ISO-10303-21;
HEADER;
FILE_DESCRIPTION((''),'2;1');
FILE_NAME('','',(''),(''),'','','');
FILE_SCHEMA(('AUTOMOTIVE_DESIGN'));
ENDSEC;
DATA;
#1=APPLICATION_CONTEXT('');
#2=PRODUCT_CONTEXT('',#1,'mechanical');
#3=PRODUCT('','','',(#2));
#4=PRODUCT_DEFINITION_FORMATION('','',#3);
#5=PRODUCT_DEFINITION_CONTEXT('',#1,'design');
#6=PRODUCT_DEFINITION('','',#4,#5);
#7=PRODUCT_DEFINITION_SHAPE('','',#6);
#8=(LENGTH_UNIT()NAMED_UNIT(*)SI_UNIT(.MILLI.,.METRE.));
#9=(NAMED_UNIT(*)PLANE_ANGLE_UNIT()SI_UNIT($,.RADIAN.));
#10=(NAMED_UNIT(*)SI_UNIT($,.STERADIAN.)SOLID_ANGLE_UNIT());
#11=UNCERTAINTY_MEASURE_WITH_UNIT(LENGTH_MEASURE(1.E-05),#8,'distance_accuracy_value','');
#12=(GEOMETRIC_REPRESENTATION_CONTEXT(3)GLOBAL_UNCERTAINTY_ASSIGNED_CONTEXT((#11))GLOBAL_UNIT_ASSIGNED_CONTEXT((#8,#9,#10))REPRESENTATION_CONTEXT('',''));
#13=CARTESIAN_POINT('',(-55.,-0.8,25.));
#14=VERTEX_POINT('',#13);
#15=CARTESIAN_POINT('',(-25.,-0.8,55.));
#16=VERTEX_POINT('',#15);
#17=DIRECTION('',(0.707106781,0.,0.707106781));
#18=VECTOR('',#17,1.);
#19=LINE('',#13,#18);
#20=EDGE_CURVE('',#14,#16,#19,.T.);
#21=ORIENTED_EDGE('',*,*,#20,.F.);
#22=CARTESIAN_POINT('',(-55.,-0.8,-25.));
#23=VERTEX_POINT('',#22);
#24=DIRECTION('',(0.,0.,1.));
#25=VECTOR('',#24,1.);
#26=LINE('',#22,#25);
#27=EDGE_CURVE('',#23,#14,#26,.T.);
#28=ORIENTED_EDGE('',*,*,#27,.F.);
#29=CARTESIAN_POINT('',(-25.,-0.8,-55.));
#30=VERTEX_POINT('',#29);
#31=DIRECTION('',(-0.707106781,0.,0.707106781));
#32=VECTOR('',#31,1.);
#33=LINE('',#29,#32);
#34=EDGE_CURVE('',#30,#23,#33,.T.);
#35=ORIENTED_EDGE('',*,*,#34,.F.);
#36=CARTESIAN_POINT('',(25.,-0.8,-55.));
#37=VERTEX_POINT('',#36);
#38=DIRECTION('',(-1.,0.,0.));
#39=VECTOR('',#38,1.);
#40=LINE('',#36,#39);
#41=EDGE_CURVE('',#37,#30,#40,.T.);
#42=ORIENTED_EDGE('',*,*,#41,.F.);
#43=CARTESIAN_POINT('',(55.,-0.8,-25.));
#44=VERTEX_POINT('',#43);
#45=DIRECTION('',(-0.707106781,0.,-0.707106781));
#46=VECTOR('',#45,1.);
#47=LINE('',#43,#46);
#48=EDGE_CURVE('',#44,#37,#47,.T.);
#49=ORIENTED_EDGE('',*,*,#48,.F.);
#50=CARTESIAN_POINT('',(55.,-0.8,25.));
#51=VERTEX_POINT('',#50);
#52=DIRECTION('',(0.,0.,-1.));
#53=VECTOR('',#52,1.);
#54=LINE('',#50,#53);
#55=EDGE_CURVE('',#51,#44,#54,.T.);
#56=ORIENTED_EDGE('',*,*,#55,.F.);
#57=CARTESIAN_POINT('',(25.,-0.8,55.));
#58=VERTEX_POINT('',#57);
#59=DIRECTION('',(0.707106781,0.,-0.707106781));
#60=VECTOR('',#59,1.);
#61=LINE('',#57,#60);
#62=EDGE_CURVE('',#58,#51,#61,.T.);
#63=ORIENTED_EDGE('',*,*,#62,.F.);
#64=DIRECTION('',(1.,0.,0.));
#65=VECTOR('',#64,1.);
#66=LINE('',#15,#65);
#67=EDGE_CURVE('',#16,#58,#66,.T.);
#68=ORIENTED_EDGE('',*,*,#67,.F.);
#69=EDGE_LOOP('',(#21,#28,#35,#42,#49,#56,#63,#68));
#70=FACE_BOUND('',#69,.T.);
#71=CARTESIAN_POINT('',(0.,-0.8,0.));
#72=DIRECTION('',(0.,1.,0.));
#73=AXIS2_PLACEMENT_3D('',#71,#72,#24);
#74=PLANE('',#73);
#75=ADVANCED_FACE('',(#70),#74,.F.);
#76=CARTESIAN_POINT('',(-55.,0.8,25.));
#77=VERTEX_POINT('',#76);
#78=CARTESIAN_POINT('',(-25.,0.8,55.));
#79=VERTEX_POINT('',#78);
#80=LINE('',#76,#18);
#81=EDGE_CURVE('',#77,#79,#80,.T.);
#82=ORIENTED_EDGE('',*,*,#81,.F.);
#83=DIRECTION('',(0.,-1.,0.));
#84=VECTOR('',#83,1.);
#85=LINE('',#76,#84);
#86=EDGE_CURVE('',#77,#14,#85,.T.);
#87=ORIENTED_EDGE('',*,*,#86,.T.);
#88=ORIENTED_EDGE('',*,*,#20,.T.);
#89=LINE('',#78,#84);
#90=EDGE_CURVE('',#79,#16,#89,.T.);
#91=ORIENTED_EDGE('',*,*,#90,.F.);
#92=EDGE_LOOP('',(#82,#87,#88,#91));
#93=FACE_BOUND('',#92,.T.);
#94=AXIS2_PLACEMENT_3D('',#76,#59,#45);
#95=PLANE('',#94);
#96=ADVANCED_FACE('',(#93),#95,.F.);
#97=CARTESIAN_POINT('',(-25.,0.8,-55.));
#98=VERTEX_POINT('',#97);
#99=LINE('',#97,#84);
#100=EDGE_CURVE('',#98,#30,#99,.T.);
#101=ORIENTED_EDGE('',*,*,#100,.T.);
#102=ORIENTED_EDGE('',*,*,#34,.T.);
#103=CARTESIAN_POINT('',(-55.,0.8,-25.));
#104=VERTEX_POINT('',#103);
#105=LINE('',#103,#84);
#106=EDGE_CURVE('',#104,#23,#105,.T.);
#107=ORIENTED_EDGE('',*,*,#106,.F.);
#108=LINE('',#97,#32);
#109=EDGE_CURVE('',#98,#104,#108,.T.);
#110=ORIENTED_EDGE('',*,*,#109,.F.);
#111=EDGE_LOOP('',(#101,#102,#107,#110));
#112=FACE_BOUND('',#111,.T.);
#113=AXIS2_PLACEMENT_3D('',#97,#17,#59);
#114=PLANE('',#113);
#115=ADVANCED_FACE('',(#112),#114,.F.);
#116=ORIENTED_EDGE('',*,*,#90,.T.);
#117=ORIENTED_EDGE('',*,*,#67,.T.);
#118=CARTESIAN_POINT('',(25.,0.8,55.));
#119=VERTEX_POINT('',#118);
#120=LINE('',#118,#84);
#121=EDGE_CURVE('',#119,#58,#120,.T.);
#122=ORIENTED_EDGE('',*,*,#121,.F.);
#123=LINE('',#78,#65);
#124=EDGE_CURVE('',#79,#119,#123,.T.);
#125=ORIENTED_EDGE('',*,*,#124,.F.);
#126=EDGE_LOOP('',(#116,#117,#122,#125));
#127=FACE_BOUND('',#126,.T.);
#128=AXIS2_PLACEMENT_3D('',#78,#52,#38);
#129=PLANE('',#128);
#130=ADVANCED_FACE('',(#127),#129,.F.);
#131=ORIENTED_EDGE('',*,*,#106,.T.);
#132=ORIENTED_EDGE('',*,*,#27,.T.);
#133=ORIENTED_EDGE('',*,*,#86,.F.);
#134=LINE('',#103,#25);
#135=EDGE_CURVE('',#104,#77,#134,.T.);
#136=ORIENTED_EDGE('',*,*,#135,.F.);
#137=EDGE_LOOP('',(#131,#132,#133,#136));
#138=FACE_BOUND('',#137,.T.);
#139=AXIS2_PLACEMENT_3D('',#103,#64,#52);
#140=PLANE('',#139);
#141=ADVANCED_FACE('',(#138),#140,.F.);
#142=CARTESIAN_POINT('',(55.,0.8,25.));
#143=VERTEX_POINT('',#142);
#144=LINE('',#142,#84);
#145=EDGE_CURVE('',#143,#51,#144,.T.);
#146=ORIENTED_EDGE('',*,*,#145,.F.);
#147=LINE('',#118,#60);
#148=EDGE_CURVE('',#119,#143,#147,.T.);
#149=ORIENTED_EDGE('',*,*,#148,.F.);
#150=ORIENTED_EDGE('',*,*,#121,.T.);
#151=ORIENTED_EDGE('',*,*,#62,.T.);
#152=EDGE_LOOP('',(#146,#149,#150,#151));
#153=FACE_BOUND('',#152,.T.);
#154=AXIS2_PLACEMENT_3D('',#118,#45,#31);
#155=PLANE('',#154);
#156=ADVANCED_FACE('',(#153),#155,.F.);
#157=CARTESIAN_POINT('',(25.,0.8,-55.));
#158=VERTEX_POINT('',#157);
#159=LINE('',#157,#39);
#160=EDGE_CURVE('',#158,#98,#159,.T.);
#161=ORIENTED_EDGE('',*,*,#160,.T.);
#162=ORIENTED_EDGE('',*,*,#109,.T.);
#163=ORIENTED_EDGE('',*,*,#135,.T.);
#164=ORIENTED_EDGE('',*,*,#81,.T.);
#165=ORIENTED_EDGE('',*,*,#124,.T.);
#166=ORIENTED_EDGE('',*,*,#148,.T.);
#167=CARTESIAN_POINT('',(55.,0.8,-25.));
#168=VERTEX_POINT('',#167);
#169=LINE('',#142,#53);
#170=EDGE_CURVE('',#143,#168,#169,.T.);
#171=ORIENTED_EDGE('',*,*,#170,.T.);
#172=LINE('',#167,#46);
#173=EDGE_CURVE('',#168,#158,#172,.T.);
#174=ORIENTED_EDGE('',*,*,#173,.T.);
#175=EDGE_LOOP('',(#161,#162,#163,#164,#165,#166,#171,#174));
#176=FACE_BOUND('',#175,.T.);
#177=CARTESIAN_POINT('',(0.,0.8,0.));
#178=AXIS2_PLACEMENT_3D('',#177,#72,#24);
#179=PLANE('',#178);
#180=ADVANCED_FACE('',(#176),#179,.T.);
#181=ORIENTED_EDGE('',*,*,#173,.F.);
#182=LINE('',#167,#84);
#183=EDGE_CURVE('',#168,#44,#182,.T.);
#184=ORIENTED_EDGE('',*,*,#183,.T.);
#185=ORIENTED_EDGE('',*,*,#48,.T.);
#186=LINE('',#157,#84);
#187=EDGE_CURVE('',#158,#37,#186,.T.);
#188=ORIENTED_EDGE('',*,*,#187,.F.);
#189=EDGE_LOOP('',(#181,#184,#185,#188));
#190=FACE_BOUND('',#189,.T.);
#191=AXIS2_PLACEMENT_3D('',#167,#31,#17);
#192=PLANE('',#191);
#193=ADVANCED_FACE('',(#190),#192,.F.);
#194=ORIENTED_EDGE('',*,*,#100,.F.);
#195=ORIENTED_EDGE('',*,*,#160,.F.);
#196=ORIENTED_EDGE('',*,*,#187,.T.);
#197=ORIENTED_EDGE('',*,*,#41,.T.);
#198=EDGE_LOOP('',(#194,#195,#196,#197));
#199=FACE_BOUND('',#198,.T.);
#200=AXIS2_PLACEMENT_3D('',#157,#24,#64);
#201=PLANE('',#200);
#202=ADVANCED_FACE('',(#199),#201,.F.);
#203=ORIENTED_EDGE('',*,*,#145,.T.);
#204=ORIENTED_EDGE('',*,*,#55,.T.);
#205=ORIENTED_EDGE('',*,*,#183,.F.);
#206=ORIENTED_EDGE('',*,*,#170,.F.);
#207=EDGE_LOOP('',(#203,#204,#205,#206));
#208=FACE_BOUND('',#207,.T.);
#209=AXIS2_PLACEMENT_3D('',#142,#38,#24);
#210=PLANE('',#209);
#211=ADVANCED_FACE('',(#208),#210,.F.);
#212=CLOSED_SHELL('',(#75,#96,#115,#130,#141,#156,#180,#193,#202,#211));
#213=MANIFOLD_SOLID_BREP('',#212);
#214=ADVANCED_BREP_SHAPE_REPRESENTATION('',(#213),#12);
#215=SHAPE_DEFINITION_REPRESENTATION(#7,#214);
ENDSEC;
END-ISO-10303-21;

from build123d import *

# Parameters (mm, degrees)
BOSS_EXTRUDE1_DEPTH = 0.8


with BuildPart() as part:
    # Sketch1 → Boss-Extrude1 (new body, symmetric)
    with BuildSketch(Plane(origin=(0, 0, 0), x_dir=(1, 0, 0), z_dir=(0, 1, 0))):
        Polygon((-55, 25), (-55, -25), (-25, -55), (25, -55), (55, -25), (55, 25), (25, 55), (-25, 55), align=None)
    extrude(amount=BOSS_EXTRUDE1_DEPTH, both=True)


solid = part.part
